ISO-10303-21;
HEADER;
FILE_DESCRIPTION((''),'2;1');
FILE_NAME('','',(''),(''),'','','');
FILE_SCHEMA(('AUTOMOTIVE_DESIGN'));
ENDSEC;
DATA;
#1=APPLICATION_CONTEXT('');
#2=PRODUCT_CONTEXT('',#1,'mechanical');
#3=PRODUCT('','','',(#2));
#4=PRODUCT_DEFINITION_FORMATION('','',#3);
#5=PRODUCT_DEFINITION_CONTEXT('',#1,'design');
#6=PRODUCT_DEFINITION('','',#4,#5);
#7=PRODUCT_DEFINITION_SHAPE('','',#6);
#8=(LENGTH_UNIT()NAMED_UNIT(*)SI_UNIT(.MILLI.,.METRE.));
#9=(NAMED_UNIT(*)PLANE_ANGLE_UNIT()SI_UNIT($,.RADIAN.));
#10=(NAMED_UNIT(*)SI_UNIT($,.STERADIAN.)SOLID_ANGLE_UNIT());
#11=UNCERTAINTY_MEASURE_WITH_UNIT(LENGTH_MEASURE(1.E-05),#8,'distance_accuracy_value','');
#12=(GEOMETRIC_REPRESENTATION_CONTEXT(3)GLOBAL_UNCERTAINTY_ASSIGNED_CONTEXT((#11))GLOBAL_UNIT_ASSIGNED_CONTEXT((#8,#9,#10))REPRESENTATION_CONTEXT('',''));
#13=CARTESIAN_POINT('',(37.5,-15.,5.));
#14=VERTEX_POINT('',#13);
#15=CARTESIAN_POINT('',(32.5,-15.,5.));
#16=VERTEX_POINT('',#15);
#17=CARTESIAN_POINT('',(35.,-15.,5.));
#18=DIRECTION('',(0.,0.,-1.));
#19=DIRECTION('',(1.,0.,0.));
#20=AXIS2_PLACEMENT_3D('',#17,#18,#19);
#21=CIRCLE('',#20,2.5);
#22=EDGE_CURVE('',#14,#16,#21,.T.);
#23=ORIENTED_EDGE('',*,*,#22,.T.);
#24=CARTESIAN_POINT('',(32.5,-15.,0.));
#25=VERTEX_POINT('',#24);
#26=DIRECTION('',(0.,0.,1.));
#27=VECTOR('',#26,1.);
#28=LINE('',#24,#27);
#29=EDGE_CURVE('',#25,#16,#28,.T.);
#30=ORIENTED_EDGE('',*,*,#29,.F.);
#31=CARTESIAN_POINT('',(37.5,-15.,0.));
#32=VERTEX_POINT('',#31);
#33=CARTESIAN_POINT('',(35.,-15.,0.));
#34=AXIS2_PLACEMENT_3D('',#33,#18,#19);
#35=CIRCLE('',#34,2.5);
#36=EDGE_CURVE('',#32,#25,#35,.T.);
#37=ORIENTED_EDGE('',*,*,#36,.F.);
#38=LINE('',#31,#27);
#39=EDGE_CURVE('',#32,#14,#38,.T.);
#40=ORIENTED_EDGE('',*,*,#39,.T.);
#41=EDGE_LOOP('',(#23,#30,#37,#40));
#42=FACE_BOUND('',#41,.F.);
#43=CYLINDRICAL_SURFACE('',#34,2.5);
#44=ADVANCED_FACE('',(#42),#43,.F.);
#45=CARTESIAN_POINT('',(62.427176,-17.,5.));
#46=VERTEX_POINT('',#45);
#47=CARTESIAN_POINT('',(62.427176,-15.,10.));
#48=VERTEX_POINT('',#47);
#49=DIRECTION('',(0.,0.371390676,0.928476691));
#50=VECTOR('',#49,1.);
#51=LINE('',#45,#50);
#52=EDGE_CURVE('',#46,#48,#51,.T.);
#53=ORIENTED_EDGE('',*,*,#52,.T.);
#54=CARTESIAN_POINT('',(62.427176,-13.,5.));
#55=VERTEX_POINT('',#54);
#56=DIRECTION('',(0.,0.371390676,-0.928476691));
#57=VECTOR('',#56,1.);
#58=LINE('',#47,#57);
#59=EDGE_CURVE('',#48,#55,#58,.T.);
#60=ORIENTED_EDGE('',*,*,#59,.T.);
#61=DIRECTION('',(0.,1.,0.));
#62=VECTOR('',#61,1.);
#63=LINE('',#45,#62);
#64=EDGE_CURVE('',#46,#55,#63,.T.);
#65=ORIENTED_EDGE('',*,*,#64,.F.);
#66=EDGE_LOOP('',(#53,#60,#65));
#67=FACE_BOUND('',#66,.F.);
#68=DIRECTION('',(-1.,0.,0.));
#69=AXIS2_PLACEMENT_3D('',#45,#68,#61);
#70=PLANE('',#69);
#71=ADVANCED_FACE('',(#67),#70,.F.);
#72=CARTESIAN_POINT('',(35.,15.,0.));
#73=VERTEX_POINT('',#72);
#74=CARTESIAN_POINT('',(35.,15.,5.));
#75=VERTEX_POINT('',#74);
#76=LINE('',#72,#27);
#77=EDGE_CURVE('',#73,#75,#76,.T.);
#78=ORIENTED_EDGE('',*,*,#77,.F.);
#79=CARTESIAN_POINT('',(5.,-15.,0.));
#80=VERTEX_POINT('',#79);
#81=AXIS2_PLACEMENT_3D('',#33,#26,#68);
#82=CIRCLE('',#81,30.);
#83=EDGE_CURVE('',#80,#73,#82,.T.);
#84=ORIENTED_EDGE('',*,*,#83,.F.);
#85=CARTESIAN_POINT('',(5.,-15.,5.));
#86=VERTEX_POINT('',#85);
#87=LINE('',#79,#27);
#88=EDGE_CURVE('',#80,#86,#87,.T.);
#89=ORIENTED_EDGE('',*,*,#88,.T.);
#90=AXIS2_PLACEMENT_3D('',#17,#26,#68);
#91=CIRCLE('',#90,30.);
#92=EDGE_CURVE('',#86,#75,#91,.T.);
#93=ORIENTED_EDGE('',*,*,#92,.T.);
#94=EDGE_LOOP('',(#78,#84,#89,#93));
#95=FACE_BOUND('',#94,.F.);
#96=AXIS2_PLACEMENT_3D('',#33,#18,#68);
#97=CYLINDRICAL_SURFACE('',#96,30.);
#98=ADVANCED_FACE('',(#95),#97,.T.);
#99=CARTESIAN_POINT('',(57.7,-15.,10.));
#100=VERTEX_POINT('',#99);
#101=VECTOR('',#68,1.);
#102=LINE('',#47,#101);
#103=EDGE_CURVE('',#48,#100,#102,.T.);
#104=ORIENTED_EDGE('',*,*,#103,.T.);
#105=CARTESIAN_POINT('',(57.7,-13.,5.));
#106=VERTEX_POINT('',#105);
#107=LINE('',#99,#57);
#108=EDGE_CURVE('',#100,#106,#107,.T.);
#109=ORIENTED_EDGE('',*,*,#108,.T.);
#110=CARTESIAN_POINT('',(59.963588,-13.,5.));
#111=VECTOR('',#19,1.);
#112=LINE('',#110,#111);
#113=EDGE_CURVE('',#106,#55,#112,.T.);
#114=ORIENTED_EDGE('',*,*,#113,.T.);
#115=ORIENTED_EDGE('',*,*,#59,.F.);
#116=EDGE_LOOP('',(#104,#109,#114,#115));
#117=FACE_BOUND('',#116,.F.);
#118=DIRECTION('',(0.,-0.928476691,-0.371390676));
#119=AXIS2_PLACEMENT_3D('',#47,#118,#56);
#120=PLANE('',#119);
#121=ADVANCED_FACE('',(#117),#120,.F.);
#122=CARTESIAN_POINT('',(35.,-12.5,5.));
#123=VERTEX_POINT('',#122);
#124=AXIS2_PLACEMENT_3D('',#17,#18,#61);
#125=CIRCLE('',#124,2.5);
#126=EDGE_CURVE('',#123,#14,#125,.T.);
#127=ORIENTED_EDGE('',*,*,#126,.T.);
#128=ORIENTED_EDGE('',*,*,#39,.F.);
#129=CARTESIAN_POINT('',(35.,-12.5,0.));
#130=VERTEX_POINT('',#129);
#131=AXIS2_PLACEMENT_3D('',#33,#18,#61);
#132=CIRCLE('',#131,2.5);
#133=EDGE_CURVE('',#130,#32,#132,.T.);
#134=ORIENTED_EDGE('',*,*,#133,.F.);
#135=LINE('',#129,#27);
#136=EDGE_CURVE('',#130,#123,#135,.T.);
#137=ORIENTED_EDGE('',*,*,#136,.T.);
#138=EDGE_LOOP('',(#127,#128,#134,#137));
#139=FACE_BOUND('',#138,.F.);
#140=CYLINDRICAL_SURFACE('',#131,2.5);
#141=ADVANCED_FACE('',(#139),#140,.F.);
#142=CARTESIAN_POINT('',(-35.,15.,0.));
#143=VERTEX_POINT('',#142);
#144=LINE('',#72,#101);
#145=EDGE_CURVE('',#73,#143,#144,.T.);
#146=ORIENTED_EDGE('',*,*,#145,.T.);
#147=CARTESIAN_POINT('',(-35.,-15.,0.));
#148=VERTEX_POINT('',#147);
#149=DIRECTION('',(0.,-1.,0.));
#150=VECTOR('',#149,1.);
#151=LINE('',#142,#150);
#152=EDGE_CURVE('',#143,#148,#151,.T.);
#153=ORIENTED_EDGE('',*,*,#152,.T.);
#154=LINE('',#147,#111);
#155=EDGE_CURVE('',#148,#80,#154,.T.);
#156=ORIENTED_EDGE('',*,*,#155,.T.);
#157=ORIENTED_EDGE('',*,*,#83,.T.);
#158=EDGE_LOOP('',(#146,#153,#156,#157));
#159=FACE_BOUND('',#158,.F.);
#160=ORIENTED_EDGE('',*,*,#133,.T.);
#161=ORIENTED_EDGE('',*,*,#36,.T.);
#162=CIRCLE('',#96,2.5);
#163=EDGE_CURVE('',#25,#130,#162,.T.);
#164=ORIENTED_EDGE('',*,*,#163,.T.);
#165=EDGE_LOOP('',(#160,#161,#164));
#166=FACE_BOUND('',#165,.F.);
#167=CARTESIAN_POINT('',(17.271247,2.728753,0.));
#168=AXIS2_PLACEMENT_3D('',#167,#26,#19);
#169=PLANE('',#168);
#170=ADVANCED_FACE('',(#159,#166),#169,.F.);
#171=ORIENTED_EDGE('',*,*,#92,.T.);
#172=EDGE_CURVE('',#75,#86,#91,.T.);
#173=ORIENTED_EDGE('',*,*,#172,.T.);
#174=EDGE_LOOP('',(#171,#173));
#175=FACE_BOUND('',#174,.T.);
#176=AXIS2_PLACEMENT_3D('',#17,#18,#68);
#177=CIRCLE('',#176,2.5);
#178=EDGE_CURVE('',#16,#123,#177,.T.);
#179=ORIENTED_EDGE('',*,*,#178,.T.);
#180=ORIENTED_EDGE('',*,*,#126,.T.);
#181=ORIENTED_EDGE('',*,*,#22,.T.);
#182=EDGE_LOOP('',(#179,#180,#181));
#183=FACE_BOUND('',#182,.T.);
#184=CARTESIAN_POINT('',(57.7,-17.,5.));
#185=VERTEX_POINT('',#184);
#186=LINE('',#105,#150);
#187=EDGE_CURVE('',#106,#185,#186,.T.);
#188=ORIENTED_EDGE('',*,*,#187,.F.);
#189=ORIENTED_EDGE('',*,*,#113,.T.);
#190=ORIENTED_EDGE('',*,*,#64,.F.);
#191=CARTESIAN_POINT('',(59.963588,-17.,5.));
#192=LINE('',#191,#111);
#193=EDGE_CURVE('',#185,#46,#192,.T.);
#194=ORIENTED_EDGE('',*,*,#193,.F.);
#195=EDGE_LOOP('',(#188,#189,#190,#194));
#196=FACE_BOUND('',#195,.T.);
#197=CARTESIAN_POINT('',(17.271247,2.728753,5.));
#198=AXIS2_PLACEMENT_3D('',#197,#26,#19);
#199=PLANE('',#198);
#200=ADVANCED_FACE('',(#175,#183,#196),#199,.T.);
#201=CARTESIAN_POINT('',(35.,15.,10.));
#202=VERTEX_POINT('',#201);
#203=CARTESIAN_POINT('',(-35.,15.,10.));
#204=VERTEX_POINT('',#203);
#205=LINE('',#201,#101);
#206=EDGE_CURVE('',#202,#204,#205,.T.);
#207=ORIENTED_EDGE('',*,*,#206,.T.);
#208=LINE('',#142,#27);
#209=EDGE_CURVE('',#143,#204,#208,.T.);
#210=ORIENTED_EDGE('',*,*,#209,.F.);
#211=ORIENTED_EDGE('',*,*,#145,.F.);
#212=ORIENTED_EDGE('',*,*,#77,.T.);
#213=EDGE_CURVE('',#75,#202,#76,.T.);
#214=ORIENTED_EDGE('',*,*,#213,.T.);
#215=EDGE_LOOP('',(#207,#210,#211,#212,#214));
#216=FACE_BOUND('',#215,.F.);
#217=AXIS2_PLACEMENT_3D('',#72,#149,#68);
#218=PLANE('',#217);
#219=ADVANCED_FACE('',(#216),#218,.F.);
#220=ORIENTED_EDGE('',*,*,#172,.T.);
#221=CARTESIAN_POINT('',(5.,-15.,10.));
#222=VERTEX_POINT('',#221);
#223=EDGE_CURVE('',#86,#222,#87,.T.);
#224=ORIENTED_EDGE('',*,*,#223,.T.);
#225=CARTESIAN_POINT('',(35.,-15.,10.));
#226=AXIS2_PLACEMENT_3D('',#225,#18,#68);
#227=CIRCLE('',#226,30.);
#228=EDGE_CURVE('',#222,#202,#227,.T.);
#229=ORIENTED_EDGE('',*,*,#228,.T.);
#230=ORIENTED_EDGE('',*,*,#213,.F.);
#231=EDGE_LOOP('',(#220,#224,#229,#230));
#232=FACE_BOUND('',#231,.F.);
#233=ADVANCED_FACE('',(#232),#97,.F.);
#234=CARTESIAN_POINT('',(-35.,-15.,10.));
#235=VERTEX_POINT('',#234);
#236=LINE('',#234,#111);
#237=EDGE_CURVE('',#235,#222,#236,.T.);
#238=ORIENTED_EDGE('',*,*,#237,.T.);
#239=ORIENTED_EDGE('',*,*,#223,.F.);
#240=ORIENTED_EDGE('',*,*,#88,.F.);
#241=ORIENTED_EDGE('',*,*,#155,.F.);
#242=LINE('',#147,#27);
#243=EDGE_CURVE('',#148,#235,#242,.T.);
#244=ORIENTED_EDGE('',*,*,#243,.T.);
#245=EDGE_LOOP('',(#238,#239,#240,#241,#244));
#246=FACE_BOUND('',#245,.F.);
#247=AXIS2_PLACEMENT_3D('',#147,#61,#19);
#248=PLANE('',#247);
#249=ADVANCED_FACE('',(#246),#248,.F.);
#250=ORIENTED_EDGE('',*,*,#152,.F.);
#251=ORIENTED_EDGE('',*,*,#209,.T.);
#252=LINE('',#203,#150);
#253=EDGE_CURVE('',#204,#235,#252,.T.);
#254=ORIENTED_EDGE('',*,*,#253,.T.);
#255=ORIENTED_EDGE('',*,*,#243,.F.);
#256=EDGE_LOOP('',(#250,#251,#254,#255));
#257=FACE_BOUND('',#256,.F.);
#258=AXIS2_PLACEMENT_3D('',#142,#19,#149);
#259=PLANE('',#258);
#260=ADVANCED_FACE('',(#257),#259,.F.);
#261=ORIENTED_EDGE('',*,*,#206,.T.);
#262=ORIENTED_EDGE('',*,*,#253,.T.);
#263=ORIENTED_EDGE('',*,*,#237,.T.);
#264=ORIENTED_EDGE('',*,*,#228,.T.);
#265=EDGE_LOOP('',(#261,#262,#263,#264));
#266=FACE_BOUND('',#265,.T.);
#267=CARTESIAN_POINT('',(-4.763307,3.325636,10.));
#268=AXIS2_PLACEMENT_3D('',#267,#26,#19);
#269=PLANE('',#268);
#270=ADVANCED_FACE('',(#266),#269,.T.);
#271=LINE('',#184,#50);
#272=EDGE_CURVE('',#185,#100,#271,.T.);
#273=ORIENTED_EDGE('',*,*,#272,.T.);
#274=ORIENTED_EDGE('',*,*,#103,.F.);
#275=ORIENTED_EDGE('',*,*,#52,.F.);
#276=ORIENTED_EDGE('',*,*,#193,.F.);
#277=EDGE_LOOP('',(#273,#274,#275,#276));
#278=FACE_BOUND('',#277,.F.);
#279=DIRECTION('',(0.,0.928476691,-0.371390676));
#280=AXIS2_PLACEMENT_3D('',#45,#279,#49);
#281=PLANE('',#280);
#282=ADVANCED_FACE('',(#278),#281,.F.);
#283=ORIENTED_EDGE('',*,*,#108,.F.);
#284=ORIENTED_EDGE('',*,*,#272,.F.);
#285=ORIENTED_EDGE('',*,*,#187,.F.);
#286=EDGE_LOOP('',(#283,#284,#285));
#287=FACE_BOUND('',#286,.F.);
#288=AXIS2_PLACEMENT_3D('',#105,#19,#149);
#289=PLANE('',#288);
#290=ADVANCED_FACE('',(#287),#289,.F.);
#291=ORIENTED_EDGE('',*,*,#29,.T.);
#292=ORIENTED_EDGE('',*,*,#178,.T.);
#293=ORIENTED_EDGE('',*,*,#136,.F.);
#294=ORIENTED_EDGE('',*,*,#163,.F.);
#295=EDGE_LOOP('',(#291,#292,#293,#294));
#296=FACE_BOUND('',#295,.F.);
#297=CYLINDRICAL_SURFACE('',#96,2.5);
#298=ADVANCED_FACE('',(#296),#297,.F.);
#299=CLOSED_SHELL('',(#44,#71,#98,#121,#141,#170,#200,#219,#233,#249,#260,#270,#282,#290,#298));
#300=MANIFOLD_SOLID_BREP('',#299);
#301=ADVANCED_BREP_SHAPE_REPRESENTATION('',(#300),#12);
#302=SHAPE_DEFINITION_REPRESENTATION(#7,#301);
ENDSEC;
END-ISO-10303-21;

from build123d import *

# Parameters (mm, degrees)
F1_DEPTH = 10
F2_DEPTH = 5
F3_W     = 4.9271763038
F3_H     = 2
F4_DEPTH = 5
F6_DEPTH = 4.9271763038
F7_DEPTH = 0.2
F8_DEPTH = 0.2


with BuildPart() as f1:
    # F0 (on Top) → F1 (new body)
    with BuildSketch(Plane.XY):
        with BuildLine():
            Line((-35, -15), (5, -15))
            ThreePointArc((5, -15), (13.7867965644, 6.2132034356), (35, 15))
            Line((35, 15), (-35, 15))
            Line((-35, 15), (-35, -15))
        make_face()
    extrude(amount=F1_DEPTH)

    # F0 (on Top) → F2 (join)
    with BuildSketch(Plane.XY):
        with BuildLine():
            Line((5, -15), (7.5, -15))
            ThreePointArc((7.5, -15), (15.5545635174, 4.4454364826), (35, 12.5))
            Line((35, 12.5), (35, 15))
            ThreePointArc((35, 15), (13.7867965644, 6.2132034356), (5, -15))
        make_face()
        with BuildLine():
            Line((7.5, -15), (12.5, -15))
            ThreePointArc((12.5, -15), (19.0900974233, 0.9099025767), (35, 7.5))
            Line((35, 7.5), (35, 12.5))
            ThreePointArc((35, 12.5), (15.5545635174, 4.4454364826), (7.5, -15))
        make_face()
        with BuildLine():
            ThreePointArc((62.5, -15), (35, -42.5), (7.5, -15))
            Line((7.5, -15), (5, -15))
            ThreePointArc((5, -15), (35, -45), (65, -15))
            ThreePointArc((65, -15), (56.2132034356, 6.2132034356), (35, 15))
            Line((35, 15), (35, 12.5))
            ThreePointArc((35, 12.5), (54.4454364826, 4.4454364826), (62.5, -15))
        make_face()
        with BuildLine():
            ThreePointArc((57.5, -15), (35, -37.5), (12.5, -15))
            Line((12.5, -15), (7.5, -15))
            ThreePointArc((7.5, -15), (35, -42.5), (62.5, -15))
            ThreePointArc((62.5, -15), (54.4454364826, 4.4454364826), (35, 12.5))
            Line((35, 12.5), (35, 7.5))
            ThreePointArc((35, 7.5), (50.9099025767, 0.9099025767), (57.5, -15))
        make_face()
        with BuildLine():
            Line((12.5, -15), (32.5, -15))
            ThreePointArc((32.5, -15), (33.232233047, -13.232233047), (35, -12.5))
            Line((35, -12.5), (35, 7.5))
            ThreePointArc((35, 7.5), (19.0900974233, 0.9099025767), (12.5, -15))
        make_face()
        with BuildLine():
            ThreePointArc((37.5, -15), (35, -17.5), (32.5, -15))
            Line((32.5, -15), (12.5, -15))
            ThreePointArc((12.5, -15), (35, -37.5), (57.5, -15))
            ThreePointArc((57.5, -15), (50.9099025767, 0.9099025767), (35, 7.5))
            Line((35, 7.5), (35, -12.5))
            ThreePointArc((35, -12.5), (36.767766953, -13.232233047), (37.5, -15))
        make_face()
    extrude(amount=F2_DEPTH)

    # F3 (on face) → F4 (join, through all)
    with BuildSketch(Plane.XY.offset(5)):
        with Locations((59.9635881519, -14)):
            Rectangle(F3_W, F3_H)
        with Locations((59.9635881519, -16)):
            Rectangle(F3_W, F3_H)
    extrude(amount=F4_DEPTH)

    # F5 (on face) → F6 (cut, through all)
    with BuildSketch(Plane.YZ.offset(62.4271763038)):
        Polygon((-17, 10), (-17, 5), (-15, 10), align=None)
        Polygon((-13, 10), (-15, 10), (-13, 5), align=None)
    extrude(amount=-F6_DEPTH, mode=Mode.SUBTRACT)

    # F7 (cut): a face of the model
    f7_faces = [f1.faces().sort_by_distance(p)[0] for p in [
        (62.4271763038, -15, 6.6666666667),
    ]]
    extrude(f7_faces, amount=F7_DEPTH, mode=Mode.SUBTRACT)

    # F8 (cut): a face of the model
    f8_faces = [f1.faces().sort_by_distance(p)[0] for p in [
        (57.5, -15, 6.6666666667),
    ]]
    extrude(f8_faces, amount=-F8_DEPTH, mode=Mode.SUBTRACT)


solid = f1.part
